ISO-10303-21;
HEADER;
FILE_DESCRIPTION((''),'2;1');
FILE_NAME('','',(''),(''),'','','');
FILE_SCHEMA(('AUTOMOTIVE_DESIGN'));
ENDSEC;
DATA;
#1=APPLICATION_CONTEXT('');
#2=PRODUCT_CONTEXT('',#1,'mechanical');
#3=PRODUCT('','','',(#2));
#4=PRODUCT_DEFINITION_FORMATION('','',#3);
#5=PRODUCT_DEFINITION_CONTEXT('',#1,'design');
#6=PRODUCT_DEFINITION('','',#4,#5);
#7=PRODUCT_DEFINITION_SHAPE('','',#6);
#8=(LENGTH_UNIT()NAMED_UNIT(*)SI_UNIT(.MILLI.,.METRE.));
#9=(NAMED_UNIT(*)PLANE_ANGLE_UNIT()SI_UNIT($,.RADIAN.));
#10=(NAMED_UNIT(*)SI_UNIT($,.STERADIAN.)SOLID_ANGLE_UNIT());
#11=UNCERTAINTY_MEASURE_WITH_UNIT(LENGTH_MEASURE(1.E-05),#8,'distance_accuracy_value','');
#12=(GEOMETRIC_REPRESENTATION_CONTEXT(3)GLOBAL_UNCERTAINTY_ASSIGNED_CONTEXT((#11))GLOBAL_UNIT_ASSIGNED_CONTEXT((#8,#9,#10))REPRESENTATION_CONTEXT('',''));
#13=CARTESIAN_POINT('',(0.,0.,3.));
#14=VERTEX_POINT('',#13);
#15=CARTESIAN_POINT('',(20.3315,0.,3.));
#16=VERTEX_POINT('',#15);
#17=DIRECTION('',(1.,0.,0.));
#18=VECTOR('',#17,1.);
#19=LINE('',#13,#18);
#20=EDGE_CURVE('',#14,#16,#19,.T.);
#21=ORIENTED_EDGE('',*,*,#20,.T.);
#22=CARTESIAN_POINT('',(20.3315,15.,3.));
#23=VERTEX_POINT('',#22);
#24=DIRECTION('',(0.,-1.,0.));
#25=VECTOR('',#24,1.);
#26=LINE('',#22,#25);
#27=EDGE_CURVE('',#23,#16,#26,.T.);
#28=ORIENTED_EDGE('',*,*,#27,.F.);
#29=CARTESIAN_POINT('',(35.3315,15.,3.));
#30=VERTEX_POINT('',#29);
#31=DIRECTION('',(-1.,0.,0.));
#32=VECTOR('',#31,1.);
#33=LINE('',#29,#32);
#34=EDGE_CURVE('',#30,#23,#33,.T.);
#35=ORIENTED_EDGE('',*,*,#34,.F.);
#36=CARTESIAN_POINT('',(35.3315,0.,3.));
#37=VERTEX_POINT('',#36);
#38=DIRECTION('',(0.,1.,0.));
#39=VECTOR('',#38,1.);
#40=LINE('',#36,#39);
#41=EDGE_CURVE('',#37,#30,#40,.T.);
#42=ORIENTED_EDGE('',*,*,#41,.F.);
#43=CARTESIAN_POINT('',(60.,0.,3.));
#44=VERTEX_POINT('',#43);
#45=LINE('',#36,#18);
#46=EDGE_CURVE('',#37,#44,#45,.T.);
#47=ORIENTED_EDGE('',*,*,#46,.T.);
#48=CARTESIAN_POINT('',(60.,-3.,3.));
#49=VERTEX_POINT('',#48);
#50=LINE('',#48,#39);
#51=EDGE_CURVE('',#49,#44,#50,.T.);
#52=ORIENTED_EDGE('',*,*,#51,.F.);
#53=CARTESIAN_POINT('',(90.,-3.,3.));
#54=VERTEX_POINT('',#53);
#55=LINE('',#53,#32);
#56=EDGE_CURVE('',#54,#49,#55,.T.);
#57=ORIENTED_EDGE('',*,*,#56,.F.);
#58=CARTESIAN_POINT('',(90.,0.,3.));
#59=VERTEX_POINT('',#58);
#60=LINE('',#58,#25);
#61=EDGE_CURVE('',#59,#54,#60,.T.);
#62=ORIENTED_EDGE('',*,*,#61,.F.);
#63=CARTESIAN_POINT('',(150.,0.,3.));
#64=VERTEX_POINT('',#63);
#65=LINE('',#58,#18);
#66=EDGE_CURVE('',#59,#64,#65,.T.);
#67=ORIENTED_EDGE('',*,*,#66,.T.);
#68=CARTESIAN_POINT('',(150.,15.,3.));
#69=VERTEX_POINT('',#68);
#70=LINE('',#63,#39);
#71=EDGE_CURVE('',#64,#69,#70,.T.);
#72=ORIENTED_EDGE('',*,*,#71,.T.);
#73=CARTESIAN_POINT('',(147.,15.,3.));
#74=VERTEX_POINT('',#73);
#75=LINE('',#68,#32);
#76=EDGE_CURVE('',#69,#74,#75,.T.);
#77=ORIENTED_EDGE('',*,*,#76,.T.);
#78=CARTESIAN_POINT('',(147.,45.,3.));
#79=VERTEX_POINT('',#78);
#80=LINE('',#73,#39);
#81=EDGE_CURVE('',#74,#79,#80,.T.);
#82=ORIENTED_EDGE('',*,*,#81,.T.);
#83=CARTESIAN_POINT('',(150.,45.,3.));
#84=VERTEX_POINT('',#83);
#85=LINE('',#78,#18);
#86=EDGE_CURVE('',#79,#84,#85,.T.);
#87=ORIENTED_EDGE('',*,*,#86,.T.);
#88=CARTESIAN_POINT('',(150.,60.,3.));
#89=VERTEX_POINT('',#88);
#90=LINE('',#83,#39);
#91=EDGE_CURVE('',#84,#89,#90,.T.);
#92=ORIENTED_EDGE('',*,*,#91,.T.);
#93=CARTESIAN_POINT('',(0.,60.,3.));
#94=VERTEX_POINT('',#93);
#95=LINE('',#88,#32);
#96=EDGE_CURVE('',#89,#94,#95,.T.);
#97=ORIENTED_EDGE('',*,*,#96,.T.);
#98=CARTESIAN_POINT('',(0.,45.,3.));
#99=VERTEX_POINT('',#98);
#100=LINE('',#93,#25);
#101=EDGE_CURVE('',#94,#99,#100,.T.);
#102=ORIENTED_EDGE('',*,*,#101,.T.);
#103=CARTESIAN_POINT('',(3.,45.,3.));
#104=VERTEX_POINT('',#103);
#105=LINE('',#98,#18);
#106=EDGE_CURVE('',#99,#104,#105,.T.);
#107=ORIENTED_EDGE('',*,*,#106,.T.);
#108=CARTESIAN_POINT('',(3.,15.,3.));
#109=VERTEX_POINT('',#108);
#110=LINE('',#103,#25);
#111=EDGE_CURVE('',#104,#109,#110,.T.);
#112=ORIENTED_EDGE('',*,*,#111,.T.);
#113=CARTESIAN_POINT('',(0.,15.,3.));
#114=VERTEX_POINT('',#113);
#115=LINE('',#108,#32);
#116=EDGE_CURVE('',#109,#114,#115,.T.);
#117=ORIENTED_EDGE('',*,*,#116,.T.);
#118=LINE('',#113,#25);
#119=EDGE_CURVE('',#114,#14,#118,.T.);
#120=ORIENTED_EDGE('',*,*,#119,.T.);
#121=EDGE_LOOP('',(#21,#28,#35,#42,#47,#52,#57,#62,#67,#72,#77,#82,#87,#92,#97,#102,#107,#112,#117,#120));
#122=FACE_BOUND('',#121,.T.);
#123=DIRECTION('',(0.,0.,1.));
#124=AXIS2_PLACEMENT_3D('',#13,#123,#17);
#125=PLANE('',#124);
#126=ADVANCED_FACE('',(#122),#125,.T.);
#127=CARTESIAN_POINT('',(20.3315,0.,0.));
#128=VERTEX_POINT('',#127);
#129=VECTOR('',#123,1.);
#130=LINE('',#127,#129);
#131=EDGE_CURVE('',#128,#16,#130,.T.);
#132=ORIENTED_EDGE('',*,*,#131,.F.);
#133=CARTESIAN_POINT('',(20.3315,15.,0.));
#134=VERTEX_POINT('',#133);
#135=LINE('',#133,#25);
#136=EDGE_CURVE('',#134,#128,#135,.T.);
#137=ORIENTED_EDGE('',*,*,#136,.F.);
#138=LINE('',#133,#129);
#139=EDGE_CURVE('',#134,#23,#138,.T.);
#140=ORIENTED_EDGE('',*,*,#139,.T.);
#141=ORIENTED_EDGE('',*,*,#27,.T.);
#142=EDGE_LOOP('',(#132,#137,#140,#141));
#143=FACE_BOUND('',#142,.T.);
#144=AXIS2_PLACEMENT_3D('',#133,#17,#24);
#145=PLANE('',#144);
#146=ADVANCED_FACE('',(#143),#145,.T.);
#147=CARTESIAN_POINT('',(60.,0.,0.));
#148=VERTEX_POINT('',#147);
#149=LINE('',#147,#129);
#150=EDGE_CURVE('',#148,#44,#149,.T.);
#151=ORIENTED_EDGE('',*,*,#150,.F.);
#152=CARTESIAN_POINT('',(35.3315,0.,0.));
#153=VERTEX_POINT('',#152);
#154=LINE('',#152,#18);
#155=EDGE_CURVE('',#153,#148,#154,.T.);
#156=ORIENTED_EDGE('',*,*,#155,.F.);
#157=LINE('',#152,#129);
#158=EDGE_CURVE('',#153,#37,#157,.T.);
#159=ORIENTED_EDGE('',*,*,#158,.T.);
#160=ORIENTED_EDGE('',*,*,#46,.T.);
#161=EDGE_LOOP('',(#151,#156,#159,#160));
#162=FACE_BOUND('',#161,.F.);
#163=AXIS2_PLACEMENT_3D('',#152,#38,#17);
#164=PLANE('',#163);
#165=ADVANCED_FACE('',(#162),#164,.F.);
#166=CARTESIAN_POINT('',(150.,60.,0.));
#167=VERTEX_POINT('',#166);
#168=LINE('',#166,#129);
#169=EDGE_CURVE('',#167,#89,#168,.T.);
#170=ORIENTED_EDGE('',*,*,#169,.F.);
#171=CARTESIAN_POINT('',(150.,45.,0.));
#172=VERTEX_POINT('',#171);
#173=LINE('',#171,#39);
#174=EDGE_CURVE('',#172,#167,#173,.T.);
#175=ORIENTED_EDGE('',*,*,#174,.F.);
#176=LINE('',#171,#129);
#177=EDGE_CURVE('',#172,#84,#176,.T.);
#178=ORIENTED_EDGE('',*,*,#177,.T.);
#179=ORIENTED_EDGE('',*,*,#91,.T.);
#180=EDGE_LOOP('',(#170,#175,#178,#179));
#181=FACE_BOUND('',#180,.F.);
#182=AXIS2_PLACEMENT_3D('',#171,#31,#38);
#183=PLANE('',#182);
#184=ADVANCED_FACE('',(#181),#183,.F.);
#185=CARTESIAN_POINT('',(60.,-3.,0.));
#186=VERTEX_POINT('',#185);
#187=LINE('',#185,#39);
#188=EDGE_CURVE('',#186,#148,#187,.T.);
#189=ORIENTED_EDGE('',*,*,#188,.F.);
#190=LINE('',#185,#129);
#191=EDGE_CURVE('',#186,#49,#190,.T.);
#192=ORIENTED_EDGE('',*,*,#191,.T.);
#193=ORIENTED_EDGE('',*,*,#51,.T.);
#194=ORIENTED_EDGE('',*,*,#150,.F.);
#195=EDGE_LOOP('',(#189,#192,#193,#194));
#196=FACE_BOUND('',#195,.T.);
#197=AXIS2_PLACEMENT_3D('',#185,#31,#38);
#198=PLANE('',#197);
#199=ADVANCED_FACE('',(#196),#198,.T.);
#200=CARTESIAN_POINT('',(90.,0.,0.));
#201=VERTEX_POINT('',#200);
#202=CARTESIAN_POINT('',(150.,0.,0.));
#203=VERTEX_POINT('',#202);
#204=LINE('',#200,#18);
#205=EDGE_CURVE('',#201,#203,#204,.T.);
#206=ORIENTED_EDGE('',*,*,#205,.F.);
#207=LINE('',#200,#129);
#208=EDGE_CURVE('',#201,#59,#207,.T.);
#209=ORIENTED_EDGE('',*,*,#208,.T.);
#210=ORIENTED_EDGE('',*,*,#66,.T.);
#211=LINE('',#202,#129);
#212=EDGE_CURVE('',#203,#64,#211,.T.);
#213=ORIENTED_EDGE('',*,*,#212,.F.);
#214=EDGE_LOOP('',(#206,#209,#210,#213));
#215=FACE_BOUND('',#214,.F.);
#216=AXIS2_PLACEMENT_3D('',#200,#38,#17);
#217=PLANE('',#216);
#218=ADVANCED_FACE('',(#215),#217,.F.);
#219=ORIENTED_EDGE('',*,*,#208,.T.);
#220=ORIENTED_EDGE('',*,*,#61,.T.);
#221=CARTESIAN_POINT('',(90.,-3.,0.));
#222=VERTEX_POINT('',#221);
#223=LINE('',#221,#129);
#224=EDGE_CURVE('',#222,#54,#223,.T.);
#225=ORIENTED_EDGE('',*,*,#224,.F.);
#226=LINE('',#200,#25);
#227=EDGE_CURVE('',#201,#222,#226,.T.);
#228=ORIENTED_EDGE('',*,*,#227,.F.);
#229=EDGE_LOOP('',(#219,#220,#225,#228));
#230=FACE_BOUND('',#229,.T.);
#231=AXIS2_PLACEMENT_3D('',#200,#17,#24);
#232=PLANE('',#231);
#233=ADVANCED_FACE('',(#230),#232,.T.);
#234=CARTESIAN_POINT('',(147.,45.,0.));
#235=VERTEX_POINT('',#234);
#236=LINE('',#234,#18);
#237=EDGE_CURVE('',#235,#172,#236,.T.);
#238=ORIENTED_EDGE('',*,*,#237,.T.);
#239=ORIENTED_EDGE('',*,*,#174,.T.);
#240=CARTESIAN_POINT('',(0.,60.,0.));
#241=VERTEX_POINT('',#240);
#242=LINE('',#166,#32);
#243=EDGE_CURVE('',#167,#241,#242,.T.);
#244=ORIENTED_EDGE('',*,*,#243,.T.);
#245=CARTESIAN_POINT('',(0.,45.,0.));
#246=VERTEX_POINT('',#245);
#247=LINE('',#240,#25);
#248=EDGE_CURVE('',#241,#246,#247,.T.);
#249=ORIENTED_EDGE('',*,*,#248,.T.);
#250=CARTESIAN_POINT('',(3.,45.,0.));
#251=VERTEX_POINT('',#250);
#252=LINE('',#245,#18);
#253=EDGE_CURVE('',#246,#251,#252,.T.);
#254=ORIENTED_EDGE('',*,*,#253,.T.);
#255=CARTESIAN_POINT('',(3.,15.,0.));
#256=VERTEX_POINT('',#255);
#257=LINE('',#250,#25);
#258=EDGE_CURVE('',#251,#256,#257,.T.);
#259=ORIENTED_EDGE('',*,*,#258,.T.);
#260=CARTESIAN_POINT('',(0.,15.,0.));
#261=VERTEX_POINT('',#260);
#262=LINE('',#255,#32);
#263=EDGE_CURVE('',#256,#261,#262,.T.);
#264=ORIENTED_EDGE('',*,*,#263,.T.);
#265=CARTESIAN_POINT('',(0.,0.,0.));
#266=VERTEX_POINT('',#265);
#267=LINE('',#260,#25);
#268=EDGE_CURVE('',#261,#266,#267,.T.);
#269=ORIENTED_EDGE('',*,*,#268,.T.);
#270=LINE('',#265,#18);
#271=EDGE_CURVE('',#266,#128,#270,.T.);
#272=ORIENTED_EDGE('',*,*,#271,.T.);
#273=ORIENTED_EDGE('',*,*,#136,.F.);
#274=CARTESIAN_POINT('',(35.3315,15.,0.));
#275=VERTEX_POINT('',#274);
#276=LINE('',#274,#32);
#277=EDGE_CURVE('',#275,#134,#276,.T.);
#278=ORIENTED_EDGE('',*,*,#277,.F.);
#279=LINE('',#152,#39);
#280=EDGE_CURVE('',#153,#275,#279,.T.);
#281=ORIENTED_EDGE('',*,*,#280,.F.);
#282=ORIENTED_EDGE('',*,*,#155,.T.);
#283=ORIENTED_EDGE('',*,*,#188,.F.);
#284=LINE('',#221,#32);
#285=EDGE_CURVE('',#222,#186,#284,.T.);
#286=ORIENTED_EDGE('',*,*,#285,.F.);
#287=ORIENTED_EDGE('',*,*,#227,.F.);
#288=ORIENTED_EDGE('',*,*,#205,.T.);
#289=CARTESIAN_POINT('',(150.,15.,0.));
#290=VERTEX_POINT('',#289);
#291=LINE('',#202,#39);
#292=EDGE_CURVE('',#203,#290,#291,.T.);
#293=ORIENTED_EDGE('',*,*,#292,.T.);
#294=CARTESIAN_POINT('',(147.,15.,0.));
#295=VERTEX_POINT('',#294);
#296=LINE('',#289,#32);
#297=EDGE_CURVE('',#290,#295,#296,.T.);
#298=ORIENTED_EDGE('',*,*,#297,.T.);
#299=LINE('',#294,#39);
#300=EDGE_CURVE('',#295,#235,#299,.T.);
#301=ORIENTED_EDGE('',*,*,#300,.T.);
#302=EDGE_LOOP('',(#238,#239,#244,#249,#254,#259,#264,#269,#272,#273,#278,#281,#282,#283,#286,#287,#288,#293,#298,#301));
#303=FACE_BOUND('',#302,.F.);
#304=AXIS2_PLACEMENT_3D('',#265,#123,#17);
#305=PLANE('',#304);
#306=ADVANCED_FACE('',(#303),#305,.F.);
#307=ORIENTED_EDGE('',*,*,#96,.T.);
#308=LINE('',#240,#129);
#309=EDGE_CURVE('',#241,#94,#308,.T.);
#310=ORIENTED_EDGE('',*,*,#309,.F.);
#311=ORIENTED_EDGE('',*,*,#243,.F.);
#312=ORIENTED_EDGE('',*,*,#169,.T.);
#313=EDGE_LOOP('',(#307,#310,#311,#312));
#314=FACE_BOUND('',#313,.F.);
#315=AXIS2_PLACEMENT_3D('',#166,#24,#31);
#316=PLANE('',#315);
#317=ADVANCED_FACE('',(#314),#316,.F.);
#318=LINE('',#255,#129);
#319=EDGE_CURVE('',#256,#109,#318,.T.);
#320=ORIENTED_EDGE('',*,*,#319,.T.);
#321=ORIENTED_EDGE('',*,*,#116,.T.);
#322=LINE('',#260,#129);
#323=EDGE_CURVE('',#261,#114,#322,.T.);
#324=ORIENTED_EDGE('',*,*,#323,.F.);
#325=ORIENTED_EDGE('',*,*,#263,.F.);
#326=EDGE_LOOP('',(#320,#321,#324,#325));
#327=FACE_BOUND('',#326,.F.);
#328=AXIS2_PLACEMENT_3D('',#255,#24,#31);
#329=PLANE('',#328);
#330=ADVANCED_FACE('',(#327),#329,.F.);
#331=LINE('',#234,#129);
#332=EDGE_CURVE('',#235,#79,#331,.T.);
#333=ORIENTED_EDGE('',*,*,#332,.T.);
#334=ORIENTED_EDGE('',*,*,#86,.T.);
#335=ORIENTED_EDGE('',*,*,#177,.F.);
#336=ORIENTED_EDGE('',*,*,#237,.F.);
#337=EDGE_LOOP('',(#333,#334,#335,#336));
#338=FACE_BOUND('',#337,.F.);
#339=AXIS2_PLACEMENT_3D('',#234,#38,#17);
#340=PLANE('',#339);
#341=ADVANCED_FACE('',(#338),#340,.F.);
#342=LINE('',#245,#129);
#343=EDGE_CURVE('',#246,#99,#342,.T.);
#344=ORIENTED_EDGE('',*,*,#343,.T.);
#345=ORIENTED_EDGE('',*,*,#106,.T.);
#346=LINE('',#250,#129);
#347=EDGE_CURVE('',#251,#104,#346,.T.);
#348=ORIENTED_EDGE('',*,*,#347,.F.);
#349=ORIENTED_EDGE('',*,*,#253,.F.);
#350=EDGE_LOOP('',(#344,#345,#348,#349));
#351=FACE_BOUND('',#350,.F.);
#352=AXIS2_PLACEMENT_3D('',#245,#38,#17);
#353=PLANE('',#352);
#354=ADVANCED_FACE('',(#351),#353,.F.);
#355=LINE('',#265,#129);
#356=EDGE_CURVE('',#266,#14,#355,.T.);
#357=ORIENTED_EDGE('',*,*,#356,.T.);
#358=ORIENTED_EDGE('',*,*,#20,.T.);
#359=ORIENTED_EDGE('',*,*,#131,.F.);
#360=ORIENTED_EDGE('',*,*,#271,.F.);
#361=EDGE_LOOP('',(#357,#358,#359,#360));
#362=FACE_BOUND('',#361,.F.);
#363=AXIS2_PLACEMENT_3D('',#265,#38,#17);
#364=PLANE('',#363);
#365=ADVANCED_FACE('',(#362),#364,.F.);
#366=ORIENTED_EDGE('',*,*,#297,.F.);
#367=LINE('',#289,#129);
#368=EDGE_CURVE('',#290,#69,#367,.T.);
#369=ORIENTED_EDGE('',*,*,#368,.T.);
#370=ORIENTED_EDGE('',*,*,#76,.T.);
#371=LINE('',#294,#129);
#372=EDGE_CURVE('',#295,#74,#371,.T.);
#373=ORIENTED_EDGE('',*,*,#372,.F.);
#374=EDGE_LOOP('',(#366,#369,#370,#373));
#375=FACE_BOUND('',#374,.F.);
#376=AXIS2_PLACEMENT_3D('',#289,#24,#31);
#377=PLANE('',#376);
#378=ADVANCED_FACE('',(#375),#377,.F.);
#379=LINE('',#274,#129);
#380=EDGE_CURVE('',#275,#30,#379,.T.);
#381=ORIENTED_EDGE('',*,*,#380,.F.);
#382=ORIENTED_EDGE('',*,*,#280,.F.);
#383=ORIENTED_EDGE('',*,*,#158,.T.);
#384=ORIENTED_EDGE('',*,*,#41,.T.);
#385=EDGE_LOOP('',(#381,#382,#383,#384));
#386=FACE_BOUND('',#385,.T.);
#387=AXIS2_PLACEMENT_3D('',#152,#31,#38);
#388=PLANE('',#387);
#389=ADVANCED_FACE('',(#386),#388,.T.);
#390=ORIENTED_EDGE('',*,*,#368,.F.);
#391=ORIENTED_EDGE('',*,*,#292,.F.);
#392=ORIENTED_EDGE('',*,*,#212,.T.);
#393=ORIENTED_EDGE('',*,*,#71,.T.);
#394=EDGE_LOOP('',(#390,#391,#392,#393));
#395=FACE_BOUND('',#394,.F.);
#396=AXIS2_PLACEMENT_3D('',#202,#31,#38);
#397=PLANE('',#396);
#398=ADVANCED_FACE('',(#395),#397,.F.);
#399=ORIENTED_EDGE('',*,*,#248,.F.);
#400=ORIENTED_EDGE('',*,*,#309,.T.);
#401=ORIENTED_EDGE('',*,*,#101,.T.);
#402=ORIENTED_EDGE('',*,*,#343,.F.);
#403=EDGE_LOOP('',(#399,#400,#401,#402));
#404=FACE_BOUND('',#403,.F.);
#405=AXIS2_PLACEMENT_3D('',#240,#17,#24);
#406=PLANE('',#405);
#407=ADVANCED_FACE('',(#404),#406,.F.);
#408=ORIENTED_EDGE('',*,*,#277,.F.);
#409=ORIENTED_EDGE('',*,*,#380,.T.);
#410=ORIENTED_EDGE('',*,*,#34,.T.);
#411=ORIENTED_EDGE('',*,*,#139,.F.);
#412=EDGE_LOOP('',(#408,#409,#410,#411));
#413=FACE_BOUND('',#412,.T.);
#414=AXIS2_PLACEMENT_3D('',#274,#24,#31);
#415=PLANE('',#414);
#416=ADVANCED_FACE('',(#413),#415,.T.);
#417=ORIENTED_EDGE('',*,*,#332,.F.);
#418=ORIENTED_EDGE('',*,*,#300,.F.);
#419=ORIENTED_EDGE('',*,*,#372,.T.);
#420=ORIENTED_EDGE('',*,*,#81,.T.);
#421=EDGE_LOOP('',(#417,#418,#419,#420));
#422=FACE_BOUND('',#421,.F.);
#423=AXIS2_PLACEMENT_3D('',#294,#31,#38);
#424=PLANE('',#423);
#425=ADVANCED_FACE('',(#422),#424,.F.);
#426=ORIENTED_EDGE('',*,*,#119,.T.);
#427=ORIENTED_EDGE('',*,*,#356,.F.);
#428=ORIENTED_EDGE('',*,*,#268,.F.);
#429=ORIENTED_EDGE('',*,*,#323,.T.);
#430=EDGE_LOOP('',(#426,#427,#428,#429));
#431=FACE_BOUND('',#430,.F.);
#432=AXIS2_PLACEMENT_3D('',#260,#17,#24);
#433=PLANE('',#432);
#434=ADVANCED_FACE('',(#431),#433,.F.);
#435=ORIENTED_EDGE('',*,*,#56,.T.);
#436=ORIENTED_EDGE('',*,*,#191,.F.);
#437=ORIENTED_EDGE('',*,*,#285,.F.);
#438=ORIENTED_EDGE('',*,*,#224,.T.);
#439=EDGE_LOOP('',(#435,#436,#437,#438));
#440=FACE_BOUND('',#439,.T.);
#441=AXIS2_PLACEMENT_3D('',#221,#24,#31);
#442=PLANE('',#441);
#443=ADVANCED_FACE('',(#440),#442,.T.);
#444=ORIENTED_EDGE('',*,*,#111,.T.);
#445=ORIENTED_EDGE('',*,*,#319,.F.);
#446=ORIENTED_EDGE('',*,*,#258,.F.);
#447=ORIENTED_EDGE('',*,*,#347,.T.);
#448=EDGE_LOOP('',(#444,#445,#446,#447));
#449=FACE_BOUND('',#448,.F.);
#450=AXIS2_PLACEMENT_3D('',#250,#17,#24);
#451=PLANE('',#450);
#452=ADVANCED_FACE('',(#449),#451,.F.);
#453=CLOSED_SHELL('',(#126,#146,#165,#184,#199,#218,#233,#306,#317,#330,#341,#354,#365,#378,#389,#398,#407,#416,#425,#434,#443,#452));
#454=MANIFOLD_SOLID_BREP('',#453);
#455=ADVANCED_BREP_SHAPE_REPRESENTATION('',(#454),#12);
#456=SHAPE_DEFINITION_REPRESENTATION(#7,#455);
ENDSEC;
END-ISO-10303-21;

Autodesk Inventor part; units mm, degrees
ref_plane "YZ Plane" through (0, 0, 0) normal (1, 0, 0) x (0, 1, 0)
ref_plane "XZ Plane" through (0, 0, 0) normal (0, 1, 0) x (-1, 0, 0)
ref_plane "XY Plane" through (0, 0, 0) normal (0, 0, 1) x (1, 0, 0)
sketch "Sketch1" plane through (0, 0, 0) normal (0, 0, 1) x (1, 0, 0)
  line L0 (90, 0) -> (90, -3)
  line L1 (60, -3) -> (60, 0)
  line L2 (0, 60) -> (0, 45)
  line L3 (3, 45) -> (3, 15)
  line L4 (0, 45) -> (3, 45)
  line L5 (3, 15) -> (0, 15)
  line L6 (0, 15) -> (0, 0)
  line L7 (90, -3) -> (60, -3)
  line L8 (90, 0) -> (150, 0)
  line L9 (150, 60) -> (0, 60)
  line L10 (150, 15) -> (147, 15)
  line L11 (147, 15) -> (147, 45)
  line L12 (147, 45) -> (150, 45)
  line L13 (150, 0) -> (150, 15)
  line L14 (150, 45) -> (150, 60)
  line L15 (35.3315, 0) -> (35.3315, 15)
  line L16 (35.3315, 15) -> (20.3315, 15)
  line L17 (20.3315, 15) -> (20.3315, 0)
  line L18 (0, 0) -> (20.3315, 0)
  line L19 (35.3315, 0) -> (60, 0)
  dimension "d10" = 150
  dimension "d11" = 60
  dimension "d12" = 3
  dimension "d13" = 15
  dimension "d14" = 3
  dimension "d15" = 30
  dimension "d16" = 30
  dimension "d17" = 3
  dimension "d18" = 3
  dimension "d19" = 15
extrude "Extrusion1" add sketch "Sketch1" along normal blind 3
properties part number "atas"
